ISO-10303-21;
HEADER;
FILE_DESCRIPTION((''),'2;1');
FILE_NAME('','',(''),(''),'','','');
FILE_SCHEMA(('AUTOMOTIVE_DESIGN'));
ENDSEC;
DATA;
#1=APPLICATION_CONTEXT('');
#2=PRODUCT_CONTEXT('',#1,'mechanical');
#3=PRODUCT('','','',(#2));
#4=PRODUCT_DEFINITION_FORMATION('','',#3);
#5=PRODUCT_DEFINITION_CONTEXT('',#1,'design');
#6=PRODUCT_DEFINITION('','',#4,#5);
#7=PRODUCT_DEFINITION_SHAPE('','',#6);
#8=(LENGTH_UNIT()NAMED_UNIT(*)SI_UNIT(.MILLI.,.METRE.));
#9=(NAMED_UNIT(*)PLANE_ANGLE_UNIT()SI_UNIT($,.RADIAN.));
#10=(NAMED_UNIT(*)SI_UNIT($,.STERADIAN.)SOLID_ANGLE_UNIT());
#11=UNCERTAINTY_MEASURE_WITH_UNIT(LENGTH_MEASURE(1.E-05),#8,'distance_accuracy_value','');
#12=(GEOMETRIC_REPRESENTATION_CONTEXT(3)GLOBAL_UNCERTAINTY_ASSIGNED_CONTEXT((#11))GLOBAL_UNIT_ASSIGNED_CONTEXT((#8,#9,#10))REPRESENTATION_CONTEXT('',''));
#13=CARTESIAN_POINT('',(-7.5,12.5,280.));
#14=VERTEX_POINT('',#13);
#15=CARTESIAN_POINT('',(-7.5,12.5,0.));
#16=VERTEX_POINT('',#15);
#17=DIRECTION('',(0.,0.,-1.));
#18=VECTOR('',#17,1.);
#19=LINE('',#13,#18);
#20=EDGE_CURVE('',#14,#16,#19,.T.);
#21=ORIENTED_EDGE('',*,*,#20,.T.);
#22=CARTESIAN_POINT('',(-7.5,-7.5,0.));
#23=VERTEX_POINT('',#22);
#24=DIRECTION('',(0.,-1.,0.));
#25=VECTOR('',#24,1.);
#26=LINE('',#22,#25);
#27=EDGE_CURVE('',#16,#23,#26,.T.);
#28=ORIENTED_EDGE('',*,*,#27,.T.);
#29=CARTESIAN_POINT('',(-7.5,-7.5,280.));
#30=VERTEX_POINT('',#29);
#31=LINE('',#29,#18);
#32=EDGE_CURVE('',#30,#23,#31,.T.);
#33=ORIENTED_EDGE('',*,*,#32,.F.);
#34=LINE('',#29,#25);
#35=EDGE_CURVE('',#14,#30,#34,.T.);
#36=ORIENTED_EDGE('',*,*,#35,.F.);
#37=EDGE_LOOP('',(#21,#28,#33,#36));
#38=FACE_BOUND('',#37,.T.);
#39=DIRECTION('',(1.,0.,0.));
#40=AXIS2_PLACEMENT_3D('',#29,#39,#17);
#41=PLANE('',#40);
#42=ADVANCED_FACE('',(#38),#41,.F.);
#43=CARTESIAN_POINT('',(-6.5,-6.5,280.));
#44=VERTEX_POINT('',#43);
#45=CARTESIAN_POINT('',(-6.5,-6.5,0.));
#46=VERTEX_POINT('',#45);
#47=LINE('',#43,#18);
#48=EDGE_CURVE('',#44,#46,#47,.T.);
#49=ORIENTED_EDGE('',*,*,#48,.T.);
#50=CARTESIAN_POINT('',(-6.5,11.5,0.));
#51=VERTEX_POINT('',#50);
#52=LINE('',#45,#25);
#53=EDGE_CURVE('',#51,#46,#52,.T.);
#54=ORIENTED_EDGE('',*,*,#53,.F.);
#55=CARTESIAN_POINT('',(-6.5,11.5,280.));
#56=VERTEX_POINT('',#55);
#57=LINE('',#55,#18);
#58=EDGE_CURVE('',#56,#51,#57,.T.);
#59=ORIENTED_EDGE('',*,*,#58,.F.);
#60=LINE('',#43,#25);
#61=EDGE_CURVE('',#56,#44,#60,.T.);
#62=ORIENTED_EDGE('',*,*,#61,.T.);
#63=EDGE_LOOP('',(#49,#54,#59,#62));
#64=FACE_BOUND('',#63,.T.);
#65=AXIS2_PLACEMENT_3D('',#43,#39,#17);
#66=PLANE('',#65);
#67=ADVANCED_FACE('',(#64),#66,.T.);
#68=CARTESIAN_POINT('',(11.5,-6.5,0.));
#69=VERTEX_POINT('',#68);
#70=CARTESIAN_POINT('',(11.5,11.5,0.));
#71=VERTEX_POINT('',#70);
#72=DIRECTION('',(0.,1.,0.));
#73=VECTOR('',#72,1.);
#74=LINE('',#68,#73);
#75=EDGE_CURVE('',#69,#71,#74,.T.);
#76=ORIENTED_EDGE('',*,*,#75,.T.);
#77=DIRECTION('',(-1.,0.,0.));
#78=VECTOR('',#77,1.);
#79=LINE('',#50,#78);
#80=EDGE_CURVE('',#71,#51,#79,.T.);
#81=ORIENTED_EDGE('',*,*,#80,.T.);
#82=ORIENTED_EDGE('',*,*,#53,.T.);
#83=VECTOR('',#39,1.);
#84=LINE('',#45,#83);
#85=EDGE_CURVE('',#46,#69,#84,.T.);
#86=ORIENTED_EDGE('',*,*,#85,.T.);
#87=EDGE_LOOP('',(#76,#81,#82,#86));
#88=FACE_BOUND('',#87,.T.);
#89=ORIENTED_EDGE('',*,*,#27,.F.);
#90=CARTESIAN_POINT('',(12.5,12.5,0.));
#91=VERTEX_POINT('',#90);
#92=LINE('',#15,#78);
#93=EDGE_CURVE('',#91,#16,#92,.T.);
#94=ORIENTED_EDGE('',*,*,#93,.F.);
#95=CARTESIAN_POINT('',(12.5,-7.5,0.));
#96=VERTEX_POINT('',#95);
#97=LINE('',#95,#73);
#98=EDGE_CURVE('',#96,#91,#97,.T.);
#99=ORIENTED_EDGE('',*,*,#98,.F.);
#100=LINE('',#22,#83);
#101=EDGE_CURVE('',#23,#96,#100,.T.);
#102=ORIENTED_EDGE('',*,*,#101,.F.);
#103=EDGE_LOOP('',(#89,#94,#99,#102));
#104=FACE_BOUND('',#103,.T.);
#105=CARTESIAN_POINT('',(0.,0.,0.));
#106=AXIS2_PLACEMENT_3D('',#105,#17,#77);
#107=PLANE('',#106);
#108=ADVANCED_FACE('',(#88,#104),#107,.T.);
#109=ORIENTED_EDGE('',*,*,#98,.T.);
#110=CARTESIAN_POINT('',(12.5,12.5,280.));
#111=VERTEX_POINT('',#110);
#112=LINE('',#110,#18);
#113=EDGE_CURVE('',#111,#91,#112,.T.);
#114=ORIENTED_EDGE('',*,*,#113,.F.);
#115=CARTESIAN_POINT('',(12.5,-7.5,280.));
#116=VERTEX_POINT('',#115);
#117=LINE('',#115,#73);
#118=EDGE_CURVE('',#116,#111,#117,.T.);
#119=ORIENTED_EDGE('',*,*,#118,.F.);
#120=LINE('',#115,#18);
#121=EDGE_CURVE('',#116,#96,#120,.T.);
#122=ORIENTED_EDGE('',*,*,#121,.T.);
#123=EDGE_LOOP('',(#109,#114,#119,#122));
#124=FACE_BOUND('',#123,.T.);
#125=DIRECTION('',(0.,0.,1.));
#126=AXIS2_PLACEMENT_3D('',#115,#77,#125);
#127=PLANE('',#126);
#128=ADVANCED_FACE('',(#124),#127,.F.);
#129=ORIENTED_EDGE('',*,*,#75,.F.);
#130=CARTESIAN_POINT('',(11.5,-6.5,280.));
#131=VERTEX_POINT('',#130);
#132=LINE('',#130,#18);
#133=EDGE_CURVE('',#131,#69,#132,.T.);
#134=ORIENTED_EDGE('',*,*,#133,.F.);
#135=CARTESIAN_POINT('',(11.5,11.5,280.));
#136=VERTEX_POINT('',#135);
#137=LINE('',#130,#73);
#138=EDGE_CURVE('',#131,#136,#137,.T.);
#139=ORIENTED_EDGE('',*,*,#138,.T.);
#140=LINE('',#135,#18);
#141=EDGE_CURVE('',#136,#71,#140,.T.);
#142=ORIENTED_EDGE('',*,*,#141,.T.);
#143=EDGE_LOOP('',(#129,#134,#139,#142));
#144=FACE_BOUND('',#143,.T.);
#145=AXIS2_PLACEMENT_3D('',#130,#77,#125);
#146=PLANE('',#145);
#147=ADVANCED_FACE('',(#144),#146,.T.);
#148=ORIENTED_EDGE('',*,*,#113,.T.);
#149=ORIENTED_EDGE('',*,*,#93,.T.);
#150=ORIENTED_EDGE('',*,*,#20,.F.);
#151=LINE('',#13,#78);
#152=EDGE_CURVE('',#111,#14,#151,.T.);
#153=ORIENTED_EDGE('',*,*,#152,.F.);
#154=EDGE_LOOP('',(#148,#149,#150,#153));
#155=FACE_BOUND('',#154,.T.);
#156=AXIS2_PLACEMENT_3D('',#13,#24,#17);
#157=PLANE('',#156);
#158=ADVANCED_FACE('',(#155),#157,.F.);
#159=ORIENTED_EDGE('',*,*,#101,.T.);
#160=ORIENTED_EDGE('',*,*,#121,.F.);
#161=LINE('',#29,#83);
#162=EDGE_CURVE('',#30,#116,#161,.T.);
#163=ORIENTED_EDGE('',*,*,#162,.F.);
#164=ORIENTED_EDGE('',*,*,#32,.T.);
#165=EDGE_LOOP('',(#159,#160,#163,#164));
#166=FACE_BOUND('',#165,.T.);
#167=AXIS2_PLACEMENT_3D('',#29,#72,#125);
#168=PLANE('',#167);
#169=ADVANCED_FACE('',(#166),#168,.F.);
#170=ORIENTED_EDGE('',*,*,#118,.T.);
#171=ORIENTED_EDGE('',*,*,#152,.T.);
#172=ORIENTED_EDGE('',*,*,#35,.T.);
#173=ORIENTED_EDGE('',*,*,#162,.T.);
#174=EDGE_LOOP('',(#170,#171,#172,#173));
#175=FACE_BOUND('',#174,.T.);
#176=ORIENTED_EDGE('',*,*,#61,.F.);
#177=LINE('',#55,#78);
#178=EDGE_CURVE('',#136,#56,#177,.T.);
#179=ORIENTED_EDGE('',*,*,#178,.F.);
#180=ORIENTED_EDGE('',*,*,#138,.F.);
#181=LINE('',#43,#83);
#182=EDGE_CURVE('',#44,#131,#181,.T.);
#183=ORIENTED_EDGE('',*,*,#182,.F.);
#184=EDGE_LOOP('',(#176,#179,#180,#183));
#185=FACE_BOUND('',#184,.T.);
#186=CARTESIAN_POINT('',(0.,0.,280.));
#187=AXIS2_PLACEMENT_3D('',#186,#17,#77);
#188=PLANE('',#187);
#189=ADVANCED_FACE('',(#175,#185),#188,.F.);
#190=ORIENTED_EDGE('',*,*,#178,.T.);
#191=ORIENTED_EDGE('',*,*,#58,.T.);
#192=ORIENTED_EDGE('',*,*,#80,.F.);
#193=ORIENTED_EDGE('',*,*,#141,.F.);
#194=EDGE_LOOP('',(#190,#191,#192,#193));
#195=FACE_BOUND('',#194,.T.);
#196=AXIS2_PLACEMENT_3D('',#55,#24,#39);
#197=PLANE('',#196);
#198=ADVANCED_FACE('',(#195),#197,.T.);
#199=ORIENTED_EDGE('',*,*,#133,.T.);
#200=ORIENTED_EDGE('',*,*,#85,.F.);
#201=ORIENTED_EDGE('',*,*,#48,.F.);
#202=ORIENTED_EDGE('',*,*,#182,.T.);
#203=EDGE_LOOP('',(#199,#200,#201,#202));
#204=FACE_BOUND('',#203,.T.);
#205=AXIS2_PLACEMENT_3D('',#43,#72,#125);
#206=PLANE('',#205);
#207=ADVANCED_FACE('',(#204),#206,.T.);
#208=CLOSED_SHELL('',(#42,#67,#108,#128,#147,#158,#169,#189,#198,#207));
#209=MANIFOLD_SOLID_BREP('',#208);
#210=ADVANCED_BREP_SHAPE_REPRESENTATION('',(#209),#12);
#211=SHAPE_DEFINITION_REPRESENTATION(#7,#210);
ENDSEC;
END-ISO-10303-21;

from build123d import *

# Parameters (mm, degrees)
SKETCH_1_W      = 20
SKETCH_1_H      = 20
SKETCH_1_W_2    = 18
SKETCH_1_H_2    = 18
EXTRUDE_1_DEPTH = 280


with BuildPart() as part:
    # 草图1 → 凸台-拉伸1 (new body)
    with BuildSketch(Plane.XY):
        with Locations((2.5, 2.5)):
            Rectangle(SKETCH_1_W, SKETCH_1_H)
        with Locations((2.5, 2.5)):
            Rectangle(SKETCH_1_W_2, SKETCH_1_H_2, mode=Mode.SUBTRACT)
    extrude(amount=EXTRUDE_1_DEPTH)


solid = part.part
